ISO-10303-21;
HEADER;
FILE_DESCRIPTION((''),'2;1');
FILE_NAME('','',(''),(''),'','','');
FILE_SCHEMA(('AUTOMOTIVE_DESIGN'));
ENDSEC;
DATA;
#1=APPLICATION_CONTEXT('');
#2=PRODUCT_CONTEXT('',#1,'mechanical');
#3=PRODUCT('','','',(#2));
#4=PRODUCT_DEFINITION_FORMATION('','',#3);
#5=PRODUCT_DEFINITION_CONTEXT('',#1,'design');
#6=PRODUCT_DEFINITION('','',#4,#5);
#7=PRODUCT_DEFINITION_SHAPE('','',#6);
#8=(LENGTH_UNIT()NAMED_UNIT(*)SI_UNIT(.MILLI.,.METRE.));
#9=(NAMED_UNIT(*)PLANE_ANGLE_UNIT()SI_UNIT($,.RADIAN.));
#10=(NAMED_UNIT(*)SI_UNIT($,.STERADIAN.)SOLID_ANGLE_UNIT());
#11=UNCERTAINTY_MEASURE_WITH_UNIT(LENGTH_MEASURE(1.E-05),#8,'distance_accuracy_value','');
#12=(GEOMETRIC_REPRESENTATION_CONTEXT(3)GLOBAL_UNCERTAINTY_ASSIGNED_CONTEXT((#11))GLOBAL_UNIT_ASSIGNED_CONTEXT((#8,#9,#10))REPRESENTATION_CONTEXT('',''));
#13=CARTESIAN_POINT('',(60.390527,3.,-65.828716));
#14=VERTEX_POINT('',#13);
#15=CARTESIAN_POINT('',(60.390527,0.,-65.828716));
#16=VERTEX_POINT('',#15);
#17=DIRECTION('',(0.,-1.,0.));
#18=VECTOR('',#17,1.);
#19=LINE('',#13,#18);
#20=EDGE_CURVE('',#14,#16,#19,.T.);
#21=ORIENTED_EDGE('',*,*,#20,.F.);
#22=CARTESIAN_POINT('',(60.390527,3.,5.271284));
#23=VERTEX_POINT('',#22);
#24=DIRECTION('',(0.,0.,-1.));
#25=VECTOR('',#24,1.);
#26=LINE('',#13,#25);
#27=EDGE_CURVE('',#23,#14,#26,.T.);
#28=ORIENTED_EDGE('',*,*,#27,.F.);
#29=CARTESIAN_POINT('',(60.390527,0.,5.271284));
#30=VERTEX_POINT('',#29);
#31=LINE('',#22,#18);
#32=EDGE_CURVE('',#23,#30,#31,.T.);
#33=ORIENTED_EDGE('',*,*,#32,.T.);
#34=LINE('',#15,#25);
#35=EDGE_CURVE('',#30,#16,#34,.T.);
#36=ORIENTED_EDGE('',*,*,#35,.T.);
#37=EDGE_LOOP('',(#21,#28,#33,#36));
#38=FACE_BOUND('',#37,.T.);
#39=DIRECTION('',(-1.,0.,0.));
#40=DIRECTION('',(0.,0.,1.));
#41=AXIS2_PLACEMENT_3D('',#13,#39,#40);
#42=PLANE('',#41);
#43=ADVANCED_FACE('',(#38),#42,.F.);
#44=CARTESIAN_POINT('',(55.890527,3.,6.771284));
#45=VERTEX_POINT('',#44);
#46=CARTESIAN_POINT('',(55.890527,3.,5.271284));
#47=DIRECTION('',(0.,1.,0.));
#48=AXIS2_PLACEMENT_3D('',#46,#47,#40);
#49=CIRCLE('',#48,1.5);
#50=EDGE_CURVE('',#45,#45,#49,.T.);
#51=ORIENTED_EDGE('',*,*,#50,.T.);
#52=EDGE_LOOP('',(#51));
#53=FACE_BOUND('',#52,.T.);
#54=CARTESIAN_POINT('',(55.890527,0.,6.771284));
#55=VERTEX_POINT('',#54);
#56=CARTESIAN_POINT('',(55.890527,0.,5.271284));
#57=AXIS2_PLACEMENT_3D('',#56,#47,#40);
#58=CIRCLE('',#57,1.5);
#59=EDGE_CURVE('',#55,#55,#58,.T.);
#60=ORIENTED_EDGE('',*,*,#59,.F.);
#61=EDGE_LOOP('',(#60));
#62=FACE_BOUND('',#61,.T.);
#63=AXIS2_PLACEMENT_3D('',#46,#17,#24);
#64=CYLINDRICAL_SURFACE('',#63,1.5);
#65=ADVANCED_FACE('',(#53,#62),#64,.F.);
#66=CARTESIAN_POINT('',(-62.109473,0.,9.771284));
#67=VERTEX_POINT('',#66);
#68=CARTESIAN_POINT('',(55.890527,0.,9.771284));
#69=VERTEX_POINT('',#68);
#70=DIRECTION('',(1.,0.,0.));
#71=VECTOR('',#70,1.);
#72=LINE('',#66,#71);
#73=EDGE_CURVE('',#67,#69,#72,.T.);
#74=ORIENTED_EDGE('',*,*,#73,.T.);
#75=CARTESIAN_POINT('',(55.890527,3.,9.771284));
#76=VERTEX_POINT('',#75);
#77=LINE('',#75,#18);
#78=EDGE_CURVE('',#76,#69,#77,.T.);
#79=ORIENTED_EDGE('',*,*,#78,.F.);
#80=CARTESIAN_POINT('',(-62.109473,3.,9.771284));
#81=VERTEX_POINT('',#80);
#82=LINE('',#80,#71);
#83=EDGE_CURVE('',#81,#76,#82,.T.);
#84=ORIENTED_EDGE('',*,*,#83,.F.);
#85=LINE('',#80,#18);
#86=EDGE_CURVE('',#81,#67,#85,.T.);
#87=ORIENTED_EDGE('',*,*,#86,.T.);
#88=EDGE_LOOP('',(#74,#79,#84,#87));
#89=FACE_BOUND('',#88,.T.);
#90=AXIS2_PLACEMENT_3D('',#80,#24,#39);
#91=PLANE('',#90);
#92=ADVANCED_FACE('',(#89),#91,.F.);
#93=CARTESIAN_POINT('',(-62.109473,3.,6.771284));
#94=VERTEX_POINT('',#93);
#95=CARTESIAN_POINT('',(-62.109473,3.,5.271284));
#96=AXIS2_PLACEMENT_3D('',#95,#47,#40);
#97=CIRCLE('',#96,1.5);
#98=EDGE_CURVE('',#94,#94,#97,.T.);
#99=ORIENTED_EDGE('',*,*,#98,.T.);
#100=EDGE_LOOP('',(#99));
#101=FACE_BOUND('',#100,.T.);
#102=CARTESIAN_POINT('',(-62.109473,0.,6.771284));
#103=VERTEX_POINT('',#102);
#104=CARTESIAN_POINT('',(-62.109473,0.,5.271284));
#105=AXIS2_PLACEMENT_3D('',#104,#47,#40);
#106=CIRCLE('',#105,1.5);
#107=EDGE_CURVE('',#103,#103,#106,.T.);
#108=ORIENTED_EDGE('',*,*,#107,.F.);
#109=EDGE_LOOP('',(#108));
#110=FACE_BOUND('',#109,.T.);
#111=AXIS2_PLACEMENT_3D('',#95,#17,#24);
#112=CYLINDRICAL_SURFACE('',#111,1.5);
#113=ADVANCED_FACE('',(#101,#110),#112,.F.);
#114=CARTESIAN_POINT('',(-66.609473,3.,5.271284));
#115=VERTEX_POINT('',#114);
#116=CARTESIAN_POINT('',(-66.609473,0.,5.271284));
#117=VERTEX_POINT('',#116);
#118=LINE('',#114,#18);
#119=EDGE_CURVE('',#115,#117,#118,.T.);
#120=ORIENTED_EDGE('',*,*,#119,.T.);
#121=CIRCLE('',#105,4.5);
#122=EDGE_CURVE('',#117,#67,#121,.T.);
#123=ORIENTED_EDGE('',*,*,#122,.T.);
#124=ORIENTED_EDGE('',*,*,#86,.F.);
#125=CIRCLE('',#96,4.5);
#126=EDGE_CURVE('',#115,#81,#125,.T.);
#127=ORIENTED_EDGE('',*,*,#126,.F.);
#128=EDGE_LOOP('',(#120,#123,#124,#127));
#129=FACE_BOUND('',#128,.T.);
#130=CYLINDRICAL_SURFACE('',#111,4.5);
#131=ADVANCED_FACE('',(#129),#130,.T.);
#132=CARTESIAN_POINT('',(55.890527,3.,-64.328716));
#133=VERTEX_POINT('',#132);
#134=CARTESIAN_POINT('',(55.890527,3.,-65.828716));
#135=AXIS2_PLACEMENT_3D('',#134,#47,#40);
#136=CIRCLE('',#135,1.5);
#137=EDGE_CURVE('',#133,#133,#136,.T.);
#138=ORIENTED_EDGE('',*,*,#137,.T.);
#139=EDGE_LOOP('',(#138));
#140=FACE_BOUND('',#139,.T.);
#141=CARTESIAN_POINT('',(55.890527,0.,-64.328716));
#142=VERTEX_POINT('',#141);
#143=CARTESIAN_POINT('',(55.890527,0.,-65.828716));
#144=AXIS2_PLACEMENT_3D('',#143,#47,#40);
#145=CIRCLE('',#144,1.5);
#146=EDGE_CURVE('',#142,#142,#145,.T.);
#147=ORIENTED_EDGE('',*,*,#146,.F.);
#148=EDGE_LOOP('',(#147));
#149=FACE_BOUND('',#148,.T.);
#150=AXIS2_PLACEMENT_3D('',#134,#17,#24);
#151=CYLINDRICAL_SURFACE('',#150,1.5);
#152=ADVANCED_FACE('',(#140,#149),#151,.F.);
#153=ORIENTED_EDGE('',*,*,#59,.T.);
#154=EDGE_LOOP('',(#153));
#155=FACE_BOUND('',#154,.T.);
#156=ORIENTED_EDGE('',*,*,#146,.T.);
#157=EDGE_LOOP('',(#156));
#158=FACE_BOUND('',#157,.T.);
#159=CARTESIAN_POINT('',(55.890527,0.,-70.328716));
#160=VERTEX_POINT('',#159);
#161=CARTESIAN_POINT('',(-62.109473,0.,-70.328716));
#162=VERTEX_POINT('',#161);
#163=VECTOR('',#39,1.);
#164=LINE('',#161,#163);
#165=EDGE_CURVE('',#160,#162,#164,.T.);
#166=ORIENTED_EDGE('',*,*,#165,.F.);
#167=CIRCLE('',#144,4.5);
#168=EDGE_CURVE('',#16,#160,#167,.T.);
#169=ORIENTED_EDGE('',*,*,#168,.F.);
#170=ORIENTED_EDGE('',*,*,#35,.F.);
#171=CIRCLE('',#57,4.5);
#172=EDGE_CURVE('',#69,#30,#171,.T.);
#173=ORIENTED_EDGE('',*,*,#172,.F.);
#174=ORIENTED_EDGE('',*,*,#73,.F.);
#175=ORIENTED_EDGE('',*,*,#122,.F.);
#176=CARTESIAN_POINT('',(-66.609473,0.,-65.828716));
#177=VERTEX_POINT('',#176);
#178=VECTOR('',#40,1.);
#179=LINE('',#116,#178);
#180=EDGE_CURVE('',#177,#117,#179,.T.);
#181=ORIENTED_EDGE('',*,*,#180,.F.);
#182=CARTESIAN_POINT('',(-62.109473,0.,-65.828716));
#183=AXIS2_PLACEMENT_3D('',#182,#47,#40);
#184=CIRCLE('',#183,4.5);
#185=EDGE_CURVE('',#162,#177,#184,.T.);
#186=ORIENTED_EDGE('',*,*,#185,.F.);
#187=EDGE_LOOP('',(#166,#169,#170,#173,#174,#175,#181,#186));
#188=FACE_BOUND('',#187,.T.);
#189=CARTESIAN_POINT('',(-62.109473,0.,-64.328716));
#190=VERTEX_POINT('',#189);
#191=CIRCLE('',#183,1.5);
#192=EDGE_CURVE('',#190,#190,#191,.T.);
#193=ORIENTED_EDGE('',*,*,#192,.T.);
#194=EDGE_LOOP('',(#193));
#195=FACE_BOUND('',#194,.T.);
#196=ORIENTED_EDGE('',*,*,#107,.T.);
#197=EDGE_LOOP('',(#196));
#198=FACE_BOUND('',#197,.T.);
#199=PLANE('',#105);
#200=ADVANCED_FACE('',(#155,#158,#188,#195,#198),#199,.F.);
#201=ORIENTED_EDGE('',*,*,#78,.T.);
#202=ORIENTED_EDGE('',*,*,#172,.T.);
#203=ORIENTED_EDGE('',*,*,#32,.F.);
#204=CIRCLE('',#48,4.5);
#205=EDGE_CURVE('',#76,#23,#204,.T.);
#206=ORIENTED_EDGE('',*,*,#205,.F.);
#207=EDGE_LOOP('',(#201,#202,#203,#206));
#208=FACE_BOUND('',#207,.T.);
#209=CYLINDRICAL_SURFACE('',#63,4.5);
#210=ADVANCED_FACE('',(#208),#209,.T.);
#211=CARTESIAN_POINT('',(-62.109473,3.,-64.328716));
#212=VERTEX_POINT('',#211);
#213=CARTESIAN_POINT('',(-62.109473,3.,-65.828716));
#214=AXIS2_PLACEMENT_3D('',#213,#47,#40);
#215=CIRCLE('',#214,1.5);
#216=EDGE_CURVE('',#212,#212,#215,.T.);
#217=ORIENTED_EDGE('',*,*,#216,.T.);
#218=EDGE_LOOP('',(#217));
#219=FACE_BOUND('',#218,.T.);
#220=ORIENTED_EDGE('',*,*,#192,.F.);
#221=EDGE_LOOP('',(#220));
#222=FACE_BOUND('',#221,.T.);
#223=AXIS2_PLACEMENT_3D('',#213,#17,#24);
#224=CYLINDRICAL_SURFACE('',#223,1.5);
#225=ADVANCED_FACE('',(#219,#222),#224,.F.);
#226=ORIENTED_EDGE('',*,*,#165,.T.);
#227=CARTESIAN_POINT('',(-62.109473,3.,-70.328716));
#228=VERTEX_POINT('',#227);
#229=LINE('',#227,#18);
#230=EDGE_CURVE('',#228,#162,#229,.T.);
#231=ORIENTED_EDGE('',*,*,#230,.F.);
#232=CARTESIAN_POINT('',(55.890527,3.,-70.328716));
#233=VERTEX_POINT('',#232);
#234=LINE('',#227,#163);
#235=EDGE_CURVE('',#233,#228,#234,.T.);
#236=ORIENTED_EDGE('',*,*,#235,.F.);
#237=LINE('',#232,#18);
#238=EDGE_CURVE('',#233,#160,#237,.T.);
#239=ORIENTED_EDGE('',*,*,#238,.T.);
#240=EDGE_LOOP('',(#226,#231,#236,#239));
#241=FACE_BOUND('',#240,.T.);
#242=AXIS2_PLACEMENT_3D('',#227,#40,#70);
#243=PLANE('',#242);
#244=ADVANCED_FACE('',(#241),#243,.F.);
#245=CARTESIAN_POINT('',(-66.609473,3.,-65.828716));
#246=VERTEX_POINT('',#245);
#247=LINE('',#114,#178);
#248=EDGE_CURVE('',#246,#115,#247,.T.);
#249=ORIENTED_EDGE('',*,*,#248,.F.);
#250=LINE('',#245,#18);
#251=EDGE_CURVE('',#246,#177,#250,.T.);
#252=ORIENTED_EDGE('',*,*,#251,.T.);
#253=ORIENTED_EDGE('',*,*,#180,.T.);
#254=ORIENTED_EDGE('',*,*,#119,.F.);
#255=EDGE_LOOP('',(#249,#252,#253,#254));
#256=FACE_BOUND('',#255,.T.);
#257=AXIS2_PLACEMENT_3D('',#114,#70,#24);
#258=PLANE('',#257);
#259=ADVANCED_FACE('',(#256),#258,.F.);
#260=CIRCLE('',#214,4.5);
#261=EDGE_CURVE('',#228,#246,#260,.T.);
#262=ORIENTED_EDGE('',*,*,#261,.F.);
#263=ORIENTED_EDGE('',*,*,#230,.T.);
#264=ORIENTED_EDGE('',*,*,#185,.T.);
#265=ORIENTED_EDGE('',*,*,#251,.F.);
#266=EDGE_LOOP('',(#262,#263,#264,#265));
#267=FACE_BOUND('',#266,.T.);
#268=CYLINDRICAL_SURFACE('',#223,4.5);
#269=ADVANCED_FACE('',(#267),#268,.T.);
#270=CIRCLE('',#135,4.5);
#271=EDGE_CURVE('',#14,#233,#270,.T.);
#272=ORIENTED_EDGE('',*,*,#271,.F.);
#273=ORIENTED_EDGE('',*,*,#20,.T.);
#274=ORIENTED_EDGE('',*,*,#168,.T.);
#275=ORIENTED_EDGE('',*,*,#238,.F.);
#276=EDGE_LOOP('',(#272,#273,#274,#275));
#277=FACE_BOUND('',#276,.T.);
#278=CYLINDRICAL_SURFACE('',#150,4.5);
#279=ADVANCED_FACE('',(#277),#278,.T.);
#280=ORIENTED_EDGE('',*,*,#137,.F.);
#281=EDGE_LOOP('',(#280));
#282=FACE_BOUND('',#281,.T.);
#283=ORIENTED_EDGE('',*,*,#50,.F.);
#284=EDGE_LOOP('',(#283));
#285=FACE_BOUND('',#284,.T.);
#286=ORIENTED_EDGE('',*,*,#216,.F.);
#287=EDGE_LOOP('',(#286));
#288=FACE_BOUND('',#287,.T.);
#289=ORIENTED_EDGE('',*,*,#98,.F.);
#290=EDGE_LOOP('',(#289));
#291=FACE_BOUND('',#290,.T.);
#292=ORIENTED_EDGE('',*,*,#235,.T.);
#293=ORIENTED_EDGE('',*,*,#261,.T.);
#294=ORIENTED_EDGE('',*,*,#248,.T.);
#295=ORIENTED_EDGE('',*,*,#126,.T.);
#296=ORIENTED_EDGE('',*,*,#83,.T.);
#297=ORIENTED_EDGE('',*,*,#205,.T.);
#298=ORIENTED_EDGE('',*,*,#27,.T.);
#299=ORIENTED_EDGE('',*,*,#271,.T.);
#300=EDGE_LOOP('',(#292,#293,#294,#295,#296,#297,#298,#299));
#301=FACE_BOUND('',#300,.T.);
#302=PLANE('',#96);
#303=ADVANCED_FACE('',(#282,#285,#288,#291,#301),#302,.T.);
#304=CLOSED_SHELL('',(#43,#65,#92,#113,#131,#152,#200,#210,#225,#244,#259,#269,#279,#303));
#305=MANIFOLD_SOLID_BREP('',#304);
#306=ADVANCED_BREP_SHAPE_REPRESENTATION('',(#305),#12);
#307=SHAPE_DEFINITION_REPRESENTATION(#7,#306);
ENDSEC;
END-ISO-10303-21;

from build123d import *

# Parameters (mm, degrees)
SKETCH1_R           = 1.5
BOSS_EXTRUDE1_DEPTH = 3


with BuildPart() as part:
    # Sketch1 → Boss-Extrude1 (new body)
    with BuildSketch(Plane(origin=(0, 0, 0), x_dir=(1, 0, 0), z_dir=(0, 1, 0))):
        with BuildLine():
            Line((-66.609472998, -5.271283686), (-66.609472998, 65.828716314))
            ThreePointArc((-66.609472998, 65.828716314), (-65.291453513, 69.010696829), (-62.109472998, 70.328716314))
            Line((-62.109472998, 70.328716314), (55.890527002, 70.328716314))
            ThreePointArc((55.890527002, 70.328716314), (59.072507518, 69.010696829), (60.390527002, 65.828716314))
            Line((60.390527002, 65.828716314), (60.390527002, -5.271283686))
            ThreePointArc((60.390527002, -5.271283686), (59.072507518, -8.453264201), (55.890527002, -9.771283686))
            Line((55.890527002, -9.771283686), (-62.109472998, -9.771283686))
            ThreePointArc((-62.109472998, -9.771283686), (-65.291453513, -8.453264201), (-66.609472998, -5.271283686))
        make_face()
        with Locations(Location((-62.109472998, 65.828716314, 0), (0, 0, 270))):
            Circle(SKETCH1_R, mode=Mode.SUBTRACT)
        with Locations(Location((55.890527002, 65.828716314, 0), (0, 0, 270))):
            Circle(SKETCH1_R, mode=Mode.SUBTRACT)
        with Locations(Location((-62.109472998, -5.271283686, 0), (0, 0, 270))):
            Circle(SKETCH1_R, mode=Mode.SUBTRACT)
        with Locations(Location((55.890527002, -5.271283686, 0), (0, 0, 270))):
            Circle(SKETCH1_R, mode=Mode.SUBTRACT)
    extrude(amount=BOSS_EXTRUDE1_DEPTH)


solid = part.part
